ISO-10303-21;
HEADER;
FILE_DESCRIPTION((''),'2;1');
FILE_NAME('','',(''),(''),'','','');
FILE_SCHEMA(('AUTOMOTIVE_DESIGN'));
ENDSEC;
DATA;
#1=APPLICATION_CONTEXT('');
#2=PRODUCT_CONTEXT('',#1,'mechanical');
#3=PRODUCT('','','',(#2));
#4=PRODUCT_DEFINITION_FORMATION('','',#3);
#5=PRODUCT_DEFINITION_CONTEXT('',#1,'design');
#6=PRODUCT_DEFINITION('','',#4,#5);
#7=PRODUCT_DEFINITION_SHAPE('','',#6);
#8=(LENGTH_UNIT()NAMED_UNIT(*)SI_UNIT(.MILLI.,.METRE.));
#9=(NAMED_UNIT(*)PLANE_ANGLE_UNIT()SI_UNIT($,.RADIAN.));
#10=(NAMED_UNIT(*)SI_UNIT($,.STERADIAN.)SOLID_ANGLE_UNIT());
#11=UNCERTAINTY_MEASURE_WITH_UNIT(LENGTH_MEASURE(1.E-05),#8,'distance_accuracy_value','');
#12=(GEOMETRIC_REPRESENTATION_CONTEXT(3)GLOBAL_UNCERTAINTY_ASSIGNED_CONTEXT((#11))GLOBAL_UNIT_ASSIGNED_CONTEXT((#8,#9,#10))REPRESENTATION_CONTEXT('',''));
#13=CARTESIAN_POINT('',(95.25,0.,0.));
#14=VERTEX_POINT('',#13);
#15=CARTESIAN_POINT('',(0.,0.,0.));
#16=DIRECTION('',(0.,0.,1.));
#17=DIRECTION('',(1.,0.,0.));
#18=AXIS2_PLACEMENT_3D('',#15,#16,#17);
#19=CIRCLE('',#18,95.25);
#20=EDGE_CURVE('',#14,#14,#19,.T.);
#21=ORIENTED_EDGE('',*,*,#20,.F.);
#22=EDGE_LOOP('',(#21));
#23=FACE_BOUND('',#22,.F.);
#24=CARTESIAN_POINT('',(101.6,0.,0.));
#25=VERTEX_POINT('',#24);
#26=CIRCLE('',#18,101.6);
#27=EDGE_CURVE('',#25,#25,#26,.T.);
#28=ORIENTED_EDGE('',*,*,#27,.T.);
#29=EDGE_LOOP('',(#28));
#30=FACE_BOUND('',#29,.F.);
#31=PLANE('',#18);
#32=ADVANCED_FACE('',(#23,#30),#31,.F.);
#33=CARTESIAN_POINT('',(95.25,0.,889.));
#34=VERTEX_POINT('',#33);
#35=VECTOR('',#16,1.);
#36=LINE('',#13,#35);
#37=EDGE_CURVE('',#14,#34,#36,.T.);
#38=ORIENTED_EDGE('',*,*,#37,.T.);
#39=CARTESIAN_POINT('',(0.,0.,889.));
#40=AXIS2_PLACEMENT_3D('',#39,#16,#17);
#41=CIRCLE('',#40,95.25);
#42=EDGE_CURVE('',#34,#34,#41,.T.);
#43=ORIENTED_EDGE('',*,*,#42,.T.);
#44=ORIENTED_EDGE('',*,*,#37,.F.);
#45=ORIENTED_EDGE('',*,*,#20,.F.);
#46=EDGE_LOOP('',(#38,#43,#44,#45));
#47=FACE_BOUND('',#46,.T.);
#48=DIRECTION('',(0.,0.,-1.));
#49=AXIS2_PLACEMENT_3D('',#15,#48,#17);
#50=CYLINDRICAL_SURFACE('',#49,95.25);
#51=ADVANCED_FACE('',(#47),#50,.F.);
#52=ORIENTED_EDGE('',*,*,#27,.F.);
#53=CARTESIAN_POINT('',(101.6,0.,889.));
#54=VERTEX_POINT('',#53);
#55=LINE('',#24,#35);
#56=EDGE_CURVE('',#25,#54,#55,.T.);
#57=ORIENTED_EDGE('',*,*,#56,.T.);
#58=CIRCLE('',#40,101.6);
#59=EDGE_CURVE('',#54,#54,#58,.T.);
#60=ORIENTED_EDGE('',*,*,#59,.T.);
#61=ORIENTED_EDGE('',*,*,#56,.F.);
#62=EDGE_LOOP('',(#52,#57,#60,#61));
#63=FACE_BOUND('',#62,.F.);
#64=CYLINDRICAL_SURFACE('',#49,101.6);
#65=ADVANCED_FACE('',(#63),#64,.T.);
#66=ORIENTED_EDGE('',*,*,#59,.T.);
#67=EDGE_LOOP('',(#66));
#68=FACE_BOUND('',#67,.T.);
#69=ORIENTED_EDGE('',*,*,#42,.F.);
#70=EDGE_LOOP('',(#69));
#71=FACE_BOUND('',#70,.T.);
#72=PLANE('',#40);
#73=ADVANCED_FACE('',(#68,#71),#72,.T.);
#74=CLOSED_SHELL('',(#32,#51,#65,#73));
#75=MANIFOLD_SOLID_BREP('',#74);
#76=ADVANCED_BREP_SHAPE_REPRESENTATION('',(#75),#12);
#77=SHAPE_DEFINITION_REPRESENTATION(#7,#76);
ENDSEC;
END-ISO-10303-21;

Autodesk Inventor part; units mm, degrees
ref_plane "YZ Plane" through (0, 0, 0) normal (1, 0, 0) x (0, 1, 0)
ref_plane "XZ Plane" through (0, 0, 0) normal (0, 1, 0) x (-1, 0, 0)
ref_plane "XY Plane" through (0, 0, 0) normal (0, 0, 1) x (1, 0, 0)
sketch "Sketch1" plane through (0, 0, 0) normal (0, 0, 1) x (1, 0, 0)
  circle A0 centre (0, 0) radius 101.6
  circle A1 centre (0, 0) radius 95.25
  dimension "d0" = 203.2
  dimension "d1" = 6.35
extrude "Extrusion1" add sketch "Sketch1" along normal blind 889
properties part number "Tube-ver1-1111-2020"
